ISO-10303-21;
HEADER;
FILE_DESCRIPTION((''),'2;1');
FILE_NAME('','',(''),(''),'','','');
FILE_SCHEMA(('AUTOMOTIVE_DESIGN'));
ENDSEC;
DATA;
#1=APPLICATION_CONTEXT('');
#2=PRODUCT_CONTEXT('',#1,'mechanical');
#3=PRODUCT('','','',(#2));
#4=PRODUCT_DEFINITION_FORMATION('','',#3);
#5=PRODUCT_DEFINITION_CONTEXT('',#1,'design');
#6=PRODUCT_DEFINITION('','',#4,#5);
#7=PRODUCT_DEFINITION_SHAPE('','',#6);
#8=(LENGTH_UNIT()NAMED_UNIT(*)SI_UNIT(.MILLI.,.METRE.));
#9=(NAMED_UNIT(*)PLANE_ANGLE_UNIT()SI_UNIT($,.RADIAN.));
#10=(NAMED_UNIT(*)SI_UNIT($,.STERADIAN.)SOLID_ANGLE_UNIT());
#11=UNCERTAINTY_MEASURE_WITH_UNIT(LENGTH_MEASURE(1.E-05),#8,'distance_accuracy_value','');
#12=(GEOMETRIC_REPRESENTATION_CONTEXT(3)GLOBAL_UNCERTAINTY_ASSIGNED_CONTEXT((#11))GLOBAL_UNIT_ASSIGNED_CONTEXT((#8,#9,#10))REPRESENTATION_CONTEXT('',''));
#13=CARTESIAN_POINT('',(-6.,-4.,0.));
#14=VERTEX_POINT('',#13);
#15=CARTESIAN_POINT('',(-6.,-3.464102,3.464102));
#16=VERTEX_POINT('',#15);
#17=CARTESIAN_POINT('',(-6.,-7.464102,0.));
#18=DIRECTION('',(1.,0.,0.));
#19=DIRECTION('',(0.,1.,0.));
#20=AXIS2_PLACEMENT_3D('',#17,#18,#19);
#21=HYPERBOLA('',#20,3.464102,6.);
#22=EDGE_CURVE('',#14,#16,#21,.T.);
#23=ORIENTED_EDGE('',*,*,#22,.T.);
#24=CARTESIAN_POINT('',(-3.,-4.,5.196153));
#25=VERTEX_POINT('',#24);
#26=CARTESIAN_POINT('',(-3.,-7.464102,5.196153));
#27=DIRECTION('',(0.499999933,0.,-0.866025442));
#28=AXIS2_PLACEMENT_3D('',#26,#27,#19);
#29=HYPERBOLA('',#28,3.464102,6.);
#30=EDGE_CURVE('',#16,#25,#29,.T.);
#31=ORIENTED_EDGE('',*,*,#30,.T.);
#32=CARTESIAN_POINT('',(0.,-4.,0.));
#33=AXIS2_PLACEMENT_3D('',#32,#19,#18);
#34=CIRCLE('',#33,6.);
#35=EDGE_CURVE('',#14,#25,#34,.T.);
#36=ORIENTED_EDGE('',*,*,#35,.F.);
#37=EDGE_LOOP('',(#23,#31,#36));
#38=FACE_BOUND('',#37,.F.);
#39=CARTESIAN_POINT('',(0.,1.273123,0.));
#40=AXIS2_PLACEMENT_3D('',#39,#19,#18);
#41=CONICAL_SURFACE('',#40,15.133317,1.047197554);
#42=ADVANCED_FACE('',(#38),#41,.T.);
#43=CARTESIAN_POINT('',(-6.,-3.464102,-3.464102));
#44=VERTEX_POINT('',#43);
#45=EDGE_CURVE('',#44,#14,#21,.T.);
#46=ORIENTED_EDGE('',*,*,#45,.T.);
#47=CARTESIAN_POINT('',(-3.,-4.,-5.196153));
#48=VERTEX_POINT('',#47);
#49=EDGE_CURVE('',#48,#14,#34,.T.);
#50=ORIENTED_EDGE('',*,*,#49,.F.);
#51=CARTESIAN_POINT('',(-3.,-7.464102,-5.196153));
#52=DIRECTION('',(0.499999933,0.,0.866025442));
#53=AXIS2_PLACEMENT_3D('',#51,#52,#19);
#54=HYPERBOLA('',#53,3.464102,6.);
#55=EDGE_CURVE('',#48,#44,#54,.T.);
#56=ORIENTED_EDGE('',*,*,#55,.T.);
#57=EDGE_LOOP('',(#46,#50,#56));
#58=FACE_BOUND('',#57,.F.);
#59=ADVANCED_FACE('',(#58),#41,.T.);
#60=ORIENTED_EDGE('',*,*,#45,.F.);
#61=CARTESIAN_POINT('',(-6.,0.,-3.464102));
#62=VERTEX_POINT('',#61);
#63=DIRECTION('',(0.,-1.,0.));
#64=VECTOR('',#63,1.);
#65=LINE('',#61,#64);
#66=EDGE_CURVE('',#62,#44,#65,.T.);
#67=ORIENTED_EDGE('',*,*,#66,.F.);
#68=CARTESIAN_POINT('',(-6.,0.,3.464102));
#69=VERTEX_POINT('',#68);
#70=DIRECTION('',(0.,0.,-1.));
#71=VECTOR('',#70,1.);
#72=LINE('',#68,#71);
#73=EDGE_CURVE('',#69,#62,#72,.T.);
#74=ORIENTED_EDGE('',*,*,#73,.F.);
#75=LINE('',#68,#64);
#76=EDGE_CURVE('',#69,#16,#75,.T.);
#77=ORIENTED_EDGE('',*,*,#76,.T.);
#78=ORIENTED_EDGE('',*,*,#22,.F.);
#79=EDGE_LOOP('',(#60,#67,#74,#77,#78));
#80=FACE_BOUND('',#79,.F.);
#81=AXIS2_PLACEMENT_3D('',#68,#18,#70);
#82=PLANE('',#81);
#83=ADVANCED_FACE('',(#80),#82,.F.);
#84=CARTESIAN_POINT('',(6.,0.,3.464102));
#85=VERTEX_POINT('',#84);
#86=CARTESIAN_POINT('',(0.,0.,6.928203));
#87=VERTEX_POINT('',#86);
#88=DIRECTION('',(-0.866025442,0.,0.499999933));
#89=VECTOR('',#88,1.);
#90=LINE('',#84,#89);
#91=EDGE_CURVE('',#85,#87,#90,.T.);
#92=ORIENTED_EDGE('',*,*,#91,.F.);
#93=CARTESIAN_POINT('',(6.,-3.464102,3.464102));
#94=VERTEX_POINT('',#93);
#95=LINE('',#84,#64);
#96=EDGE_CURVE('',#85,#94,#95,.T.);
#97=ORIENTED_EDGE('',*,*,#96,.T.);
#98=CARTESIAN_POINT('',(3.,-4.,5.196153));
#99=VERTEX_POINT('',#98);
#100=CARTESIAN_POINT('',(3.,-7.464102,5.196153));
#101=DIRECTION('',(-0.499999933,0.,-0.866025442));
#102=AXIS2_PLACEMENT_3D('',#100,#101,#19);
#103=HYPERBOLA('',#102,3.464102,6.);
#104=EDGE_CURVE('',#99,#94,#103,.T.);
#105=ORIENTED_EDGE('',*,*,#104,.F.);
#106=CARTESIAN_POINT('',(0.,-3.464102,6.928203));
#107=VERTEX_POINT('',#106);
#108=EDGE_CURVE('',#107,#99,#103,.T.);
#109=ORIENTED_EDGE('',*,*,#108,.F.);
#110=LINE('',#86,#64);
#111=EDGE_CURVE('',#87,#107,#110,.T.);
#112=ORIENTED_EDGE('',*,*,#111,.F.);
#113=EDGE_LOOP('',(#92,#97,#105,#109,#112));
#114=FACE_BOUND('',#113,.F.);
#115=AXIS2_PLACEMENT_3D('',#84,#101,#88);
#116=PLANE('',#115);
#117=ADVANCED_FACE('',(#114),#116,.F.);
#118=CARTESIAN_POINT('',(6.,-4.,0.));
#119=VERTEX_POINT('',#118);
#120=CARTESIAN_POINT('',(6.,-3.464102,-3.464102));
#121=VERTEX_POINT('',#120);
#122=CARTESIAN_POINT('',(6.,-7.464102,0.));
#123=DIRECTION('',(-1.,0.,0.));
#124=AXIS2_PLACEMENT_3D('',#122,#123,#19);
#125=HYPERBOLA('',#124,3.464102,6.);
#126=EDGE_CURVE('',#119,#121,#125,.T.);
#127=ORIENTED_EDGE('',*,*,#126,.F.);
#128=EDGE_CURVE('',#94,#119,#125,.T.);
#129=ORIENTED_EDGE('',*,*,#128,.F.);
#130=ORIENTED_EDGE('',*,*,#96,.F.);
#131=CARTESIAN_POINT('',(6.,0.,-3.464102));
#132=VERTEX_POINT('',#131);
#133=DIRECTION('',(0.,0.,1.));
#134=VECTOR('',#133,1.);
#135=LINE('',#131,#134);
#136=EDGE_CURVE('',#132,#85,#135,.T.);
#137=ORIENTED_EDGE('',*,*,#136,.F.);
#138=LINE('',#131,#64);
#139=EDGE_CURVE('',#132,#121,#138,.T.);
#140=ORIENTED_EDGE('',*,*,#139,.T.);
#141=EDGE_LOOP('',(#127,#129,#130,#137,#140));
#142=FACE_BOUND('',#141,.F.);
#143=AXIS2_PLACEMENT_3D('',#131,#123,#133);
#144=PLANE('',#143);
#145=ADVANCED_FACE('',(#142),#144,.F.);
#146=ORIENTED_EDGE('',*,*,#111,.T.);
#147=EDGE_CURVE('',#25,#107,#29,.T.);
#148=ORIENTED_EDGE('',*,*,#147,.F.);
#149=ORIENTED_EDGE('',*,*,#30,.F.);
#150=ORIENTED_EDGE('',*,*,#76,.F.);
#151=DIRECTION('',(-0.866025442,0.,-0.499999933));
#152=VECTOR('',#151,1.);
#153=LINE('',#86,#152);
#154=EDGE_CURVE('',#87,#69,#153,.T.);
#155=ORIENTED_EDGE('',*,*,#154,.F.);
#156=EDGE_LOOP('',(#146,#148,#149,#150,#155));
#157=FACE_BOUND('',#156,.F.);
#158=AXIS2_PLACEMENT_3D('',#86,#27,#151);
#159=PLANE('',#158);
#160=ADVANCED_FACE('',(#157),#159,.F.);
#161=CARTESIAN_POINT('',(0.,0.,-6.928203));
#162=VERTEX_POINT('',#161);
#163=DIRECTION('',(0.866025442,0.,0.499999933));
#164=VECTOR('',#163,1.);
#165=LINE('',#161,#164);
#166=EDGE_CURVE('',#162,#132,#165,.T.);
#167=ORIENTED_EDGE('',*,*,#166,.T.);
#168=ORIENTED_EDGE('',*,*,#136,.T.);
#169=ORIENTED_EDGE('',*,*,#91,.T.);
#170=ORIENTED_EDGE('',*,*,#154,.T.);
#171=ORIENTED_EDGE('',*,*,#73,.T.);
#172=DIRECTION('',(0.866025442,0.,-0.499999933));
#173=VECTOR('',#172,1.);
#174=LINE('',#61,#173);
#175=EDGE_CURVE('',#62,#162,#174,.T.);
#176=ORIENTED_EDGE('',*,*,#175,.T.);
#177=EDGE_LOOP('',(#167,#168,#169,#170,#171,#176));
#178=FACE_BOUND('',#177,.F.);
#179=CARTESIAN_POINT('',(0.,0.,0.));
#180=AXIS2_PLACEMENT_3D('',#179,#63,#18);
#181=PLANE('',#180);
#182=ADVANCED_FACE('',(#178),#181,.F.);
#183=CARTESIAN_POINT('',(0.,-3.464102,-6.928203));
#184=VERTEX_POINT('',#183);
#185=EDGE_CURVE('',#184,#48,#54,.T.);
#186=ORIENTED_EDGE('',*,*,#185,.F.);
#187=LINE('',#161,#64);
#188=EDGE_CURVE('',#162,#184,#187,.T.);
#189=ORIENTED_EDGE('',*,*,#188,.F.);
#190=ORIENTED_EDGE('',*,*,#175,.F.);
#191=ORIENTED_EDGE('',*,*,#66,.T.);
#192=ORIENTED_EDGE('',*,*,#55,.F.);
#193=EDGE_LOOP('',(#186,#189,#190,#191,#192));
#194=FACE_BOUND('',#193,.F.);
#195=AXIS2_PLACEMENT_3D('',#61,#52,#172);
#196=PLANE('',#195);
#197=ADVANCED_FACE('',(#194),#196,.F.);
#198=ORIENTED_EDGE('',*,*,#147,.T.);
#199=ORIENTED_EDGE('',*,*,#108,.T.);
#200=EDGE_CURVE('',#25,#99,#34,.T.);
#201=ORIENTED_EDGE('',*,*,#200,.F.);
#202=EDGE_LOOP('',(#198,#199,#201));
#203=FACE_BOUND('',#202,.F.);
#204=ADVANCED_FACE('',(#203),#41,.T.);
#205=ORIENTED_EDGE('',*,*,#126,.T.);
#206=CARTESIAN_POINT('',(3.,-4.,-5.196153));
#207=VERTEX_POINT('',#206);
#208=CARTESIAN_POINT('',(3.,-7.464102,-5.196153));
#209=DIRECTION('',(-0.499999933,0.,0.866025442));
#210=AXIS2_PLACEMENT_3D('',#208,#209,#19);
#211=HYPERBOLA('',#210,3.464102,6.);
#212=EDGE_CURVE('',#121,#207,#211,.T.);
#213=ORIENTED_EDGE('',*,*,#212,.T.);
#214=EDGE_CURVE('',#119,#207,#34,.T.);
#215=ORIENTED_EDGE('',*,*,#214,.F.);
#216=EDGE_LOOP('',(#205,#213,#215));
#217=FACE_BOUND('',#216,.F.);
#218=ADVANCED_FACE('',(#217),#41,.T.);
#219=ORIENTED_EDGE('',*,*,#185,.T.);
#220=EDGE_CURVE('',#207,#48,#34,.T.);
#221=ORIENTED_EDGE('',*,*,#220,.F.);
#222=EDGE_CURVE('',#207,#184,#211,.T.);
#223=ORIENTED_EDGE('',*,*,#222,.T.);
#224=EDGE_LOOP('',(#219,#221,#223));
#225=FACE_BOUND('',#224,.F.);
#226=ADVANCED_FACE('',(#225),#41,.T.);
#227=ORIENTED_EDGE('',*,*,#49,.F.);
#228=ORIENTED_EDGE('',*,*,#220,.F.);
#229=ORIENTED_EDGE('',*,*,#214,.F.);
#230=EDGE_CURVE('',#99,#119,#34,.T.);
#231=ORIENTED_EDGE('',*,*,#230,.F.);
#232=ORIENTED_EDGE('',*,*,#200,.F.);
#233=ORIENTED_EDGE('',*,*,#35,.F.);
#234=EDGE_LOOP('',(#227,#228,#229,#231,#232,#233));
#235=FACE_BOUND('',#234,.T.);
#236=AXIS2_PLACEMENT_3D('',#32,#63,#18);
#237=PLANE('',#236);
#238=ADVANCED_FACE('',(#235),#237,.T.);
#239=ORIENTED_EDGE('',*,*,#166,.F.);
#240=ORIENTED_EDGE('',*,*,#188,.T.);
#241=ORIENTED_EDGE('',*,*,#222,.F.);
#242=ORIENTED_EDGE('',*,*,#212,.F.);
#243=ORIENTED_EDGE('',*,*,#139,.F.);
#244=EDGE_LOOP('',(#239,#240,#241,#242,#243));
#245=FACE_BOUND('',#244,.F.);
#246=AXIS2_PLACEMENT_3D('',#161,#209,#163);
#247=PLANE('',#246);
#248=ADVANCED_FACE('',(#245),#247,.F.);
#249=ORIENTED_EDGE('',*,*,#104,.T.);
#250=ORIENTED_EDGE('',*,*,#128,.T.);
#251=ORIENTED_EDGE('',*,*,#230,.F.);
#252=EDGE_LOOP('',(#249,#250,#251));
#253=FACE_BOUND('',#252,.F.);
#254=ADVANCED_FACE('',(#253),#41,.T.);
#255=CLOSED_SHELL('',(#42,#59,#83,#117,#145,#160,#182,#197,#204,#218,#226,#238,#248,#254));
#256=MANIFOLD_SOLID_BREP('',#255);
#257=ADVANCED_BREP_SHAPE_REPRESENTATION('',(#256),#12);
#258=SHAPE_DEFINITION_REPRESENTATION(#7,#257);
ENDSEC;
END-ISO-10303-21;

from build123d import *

# Parameters (mm, degrees)
F1_DEPTH = 4


with BuildPart() as f1:
    # F0 (on Front) → F1 (new body)
    with BuildSketch(Plane.XZ):
        Polygon((0, 6.928203), (-6, 3.464102), (-6, -3.464102), (0, -6.928203), (6, -3.464102), (6, 3.464102), align=None)
    extrude(amount=F1_DEPTH)

    # F2 (on Top) → F3 (revolve, cut)
    with BuildSketch(Plane.XY):
        Polygon((15.133317, 1.273123), (6, -4), (15.133317, -4), align=None)
    revolve(axis=Axis((0, -1.59565, 0), (0, 1, 0)), mode=Mode.SUBTRACT)


solid = f1.part
